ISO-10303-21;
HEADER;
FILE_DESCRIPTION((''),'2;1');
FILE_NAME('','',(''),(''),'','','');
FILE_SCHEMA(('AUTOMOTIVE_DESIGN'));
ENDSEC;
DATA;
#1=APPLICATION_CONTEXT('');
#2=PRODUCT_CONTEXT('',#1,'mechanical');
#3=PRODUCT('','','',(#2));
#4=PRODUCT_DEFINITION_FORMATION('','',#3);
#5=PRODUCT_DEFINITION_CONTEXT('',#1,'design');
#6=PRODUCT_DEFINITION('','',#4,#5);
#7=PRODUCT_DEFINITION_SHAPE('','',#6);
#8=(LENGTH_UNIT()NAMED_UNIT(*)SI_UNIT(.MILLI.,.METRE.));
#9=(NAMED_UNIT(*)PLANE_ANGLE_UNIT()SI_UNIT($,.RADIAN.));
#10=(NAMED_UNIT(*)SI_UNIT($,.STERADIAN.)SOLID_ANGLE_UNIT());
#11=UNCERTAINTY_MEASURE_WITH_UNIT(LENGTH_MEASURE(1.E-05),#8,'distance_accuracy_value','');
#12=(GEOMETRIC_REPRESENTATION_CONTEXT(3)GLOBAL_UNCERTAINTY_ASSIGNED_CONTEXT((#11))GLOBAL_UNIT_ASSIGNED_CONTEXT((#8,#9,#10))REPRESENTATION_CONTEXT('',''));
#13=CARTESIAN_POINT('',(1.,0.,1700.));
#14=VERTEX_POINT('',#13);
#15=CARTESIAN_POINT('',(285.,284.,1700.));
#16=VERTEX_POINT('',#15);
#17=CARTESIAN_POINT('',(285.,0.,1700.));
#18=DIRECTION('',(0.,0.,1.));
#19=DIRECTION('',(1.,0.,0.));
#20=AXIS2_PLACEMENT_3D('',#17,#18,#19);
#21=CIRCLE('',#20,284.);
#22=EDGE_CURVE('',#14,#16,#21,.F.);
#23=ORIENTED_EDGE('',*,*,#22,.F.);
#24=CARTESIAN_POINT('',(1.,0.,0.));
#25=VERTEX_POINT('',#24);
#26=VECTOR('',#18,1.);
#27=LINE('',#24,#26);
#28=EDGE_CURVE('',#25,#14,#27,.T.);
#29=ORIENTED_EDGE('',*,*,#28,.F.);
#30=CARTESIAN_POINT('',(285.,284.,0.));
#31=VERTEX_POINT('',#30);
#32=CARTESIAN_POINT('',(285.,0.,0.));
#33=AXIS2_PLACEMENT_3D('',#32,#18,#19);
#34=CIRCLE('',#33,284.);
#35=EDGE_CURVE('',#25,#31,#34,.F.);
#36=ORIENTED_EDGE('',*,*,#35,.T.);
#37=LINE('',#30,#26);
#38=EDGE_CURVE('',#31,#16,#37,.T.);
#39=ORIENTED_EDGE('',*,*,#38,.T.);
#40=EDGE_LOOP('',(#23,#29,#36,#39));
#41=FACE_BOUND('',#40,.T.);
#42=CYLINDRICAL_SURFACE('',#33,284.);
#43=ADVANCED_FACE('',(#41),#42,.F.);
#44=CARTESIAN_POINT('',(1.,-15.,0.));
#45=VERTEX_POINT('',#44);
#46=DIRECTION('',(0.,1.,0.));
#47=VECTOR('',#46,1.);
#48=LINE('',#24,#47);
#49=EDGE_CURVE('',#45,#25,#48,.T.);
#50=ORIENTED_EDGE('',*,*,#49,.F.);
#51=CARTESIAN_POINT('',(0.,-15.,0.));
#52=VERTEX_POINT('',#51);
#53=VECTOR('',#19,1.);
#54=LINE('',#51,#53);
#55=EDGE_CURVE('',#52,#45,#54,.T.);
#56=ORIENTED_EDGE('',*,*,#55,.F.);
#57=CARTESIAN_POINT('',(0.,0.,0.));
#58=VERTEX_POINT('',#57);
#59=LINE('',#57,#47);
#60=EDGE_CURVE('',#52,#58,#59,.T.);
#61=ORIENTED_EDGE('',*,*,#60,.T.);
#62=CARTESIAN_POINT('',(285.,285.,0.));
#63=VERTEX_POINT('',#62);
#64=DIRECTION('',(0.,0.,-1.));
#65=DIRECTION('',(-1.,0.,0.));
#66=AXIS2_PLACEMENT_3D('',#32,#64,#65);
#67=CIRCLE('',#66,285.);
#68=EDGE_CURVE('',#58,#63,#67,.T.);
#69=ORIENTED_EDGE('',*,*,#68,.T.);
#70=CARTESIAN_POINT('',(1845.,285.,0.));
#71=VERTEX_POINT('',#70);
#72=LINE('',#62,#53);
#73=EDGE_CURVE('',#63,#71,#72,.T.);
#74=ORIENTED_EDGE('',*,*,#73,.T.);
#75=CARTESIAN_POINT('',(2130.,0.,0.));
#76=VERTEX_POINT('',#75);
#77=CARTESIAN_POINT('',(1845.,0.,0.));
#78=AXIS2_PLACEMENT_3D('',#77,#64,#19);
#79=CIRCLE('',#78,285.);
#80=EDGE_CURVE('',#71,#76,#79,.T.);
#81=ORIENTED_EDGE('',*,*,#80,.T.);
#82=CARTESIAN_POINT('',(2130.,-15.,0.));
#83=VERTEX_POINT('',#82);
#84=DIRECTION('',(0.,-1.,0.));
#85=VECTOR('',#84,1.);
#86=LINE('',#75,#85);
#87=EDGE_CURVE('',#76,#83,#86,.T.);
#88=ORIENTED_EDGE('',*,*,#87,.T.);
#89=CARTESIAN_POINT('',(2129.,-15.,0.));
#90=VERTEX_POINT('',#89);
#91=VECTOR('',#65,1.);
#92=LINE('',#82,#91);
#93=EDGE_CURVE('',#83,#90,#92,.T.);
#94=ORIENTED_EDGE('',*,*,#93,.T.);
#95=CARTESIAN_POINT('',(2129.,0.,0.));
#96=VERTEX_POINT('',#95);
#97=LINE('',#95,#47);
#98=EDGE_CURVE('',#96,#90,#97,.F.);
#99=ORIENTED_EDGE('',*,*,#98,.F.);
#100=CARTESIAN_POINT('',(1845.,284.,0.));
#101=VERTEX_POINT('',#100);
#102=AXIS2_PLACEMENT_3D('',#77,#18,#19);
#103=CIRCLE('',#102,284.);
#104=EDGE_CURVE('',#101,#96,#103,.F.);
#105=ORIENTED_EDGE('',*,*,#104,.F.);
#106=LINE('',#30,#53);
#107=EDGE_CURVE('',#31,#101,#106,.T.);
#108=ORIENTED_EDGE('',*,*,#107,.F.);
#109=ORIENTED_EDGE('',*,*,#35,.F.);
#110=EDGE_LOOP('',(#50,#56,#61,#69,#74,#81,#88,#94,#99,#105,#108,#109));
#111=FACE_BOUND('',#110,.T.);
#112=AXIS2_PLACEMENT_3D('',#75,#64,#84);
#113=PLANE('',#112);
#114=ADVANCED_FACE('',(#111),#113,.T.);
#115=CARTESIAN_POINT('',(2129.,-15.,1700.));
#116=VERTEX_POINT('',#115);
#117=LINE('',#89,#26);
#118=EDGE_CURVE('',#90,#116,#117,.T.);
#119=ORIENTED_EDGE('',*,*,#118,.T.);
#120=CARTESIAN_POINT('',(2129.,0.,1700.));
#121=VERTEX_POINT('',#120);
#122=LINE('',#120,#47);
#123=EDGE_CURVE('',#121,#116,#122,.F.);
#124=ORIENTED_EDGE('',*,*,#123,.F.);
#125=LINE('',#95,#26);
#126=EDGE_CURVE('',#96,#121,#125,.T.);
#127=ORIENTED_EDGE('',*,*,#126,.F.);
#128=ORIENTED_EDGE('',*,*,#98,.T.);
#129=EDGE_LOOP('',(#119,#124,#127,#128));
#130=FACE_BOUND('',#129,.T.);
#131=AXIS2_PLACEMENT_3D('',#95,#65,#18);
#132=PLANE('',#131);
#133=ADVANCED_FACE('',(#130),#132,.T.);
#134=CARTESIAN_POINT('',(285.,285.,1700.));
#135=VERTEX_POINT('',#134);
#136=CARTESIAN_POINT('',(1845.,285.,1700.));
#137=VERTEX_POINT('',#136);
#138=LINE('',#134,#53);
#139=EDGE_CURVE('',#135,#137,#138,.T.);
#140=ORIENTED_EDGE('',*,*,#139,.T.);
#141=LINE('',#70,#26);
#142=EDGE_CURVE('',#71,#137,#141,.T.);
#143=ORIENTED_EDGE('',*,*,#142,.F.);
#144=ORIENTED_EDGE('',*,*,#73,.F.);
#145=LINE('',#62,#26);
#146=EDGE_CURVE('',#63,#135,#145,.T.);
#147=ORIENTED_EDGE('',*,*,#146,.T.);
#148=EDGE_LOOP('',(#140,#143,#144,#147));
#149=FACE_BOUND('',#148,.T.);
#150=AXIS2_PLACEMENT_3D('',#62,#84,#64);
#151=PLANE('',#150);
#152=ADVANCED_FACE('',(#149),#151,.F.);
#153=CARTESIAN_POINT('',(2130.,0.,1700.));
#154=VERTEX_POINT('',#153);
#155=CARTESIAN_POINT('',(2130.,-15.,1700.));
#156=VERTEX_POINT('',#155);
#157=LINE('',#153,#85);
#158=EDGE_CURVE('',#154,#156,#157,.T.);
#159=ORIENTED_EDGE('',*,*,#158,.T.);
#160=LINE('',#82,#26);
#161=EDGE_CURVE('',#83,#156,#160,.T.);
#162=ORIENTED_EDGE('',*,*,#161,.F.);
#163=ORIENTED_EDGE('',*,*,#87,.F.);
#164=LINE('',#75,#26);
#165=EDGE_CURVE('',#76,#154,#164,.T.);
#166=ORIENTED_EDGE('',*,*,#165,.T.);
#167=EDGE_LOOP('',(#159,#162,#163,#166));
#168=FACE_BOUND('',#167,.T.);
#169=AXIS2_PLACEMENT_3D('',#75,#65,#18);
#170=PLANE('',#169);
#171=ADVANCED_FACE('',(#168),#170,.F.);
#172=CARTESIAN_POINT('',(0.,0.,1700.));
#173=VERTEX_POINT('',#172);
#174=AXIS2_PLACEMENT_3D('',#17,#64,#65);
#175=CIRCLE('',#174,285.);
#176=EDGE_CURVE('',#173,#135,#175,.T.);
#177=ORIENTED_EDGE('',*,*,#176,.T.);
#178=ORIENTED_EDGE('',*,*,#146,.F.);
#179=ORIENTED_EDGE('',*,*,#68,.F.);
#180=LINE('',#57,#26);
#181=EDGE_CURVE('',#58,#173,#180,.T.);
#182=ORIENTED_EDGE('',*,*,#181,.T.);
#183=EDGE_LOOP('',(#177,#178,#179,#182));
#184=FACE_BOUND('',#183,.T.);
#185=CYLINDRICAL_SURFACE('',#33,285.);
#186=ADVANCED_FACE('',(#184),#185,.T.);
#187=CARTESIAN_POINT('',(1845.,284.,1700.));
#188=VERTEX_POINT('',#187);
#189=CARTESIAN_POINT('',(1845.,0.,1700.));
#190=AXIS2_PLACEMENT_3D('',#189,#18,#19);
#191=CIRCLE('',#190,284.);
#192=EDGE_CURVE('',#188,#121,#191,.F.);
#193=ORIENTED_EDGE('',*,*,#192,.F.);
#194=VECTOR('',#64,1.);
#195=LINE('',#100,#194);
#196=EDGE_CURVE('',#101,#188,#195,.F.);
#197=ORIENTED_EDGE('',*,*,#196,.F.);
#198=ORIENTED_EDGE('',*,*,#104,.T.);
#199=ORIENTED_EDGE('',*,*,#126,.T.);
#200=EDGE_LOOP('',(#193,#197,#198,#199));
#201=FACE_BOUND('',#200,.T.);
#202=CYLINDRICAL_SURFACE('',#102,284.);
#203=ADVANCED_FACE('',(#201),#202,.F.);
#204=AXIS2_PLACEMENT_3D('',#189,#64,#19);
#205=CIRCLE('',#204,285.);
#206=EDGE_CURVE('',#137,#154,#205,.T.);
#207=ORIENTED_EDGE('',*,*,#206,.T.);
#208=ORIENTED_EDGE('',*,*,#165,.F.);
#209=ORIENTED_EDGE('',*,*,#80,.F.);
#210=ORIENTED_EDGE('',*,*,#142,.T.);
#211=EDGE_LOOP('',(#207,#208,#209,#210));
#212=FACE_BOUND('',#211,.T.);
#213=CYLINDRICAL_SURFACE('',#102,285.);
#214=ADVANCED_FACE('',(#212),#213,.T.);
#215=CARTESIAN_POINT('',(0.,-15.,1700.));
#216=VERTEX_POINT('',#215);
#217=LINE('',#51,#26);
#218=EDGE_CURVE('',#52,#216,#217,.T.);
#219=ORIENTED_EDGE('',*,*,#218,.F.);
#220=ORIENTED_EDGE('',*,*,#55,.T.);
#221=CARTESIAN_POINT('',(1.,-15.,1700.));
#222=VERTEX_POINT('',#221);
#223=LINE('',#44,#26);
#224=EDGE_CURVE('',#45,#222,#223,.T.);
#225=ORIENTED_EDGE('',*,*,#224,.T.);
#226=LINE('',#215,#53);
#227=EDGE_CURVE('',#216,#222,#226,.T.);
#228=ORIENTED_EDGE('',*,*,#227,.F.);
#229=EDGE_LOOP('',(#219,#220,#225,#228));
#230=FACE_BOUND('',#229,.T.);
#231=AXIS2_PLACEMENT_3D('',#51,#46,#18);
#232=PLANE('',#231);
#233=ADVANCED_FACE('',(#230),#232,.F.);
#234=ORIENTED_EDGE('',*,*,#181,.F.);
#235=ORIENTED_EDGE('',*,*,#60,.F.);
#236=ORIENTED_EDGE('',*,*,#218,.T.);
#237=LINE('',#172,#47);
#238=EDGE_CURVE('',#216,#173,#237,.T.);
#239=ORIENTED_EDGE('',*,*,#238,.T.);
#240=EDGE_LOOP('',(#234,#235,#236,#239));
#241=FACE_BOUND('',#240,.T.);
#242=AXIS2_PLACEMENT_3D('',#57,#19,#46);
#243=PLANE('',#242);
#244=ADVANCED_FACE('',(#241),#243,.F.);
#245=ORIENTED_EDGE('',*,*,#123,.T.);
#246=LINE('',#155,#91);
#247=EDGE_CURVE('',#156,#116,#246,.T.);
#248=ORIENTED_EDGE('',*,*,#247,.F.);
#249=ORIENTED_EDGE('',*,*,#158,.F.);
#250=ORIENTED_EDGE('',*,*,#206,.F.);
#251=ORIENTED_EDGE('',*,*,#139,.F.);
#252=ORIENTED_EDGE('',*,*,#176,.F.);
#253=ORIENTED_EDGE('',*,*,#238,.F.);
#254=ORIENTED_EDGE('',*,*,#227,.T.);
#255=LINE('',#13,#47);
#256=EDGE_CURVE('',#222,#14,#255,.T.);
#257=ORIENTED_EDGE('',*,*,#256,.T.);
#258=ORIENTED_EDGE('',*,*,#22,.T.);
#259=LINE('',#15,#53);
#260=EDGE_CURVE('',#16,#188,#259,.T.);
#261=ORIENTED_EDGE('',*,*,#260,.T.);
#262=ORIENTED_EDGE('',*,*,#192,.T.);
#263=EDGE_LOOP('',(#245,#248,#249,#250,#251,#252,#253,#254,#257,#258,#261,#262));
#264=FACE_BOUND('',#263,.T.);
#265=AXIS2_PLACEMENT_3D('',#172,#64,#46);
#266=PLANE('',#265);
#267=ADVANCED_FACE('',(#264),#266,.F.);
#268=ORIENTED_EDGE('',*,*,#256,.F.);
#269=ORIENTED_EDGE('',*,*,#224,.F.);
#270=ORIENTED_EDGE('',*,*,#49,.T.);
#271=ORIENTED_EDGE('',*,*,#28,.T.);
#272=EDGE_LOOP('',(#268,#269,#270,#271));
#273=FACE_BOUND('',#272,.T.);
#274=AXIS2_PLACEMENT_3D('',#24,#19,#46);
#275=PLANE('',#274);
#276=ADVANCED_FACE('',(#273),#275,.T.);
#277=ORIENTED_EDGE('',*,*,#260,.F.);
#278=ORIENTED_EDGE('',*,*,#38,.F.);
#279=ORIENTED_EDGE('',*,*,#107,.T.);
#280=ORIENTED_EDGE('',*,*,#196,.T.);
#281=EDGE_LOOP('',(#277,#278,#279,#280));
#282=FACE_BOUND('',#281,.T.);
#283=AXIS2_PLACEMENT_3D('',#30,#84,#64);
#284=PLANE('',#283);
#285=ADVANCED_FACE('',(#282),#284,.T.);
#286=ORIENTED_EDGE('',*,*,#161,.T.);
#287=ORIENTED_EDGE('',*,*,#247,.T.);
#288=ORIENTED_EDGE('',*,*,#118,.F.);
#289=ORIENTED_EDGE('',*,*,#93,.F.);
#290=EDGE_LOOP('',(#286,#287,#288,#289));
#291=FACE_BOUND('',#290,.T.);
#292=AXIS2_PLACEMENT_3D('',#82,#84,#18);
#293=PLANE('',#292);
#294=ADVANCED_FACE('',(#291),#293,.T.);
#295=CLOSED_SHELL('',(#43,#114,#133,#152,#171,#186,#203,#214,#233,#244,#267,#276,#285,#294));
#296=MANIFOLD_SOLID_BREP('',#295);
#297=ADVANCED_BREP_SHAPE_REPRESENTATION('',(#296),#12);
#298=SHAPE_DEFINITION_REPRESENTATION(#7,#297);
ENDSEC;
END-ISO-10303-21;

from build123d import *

# Parameters (mm, degrees)
SURFACE_EXTRUDE2_1_DEPTH = 1700
THICKEN1_T2              = 1


with BuildPart() as body_1:
    # Surface-Extrude2: a surface, the sketch's curves swept straight by 1700 mm
    with BuildLine(Plane.XY, mode=Mode.PRIVATE) as surface_extrude2_1_path:
        Line((0, -15), (0, 0))
        ThreePointArc((0, 0), (83.474567362, 201.525432638), (285, 285))
        Line((285, 285), (1845, 285))
        ThreePointArc((1845, 285), (2046.525432638, 201.525432638), (2130, 0))
        Line((2130, 0), (2130, -15))
    surface_extrude2_1 = Shell.extrude(surface_extrude2_1_path.wire(), (0 * SURFACE_EXTRUDE2_1_DEPTH, 0 * SURFACE_EXTRUDE2_1_DEPTH, 1 * SURFACE_EXTRUDE2_1_DEPTH))
    add(Solid.thicken(surface_extrude2_1, -THICKEN1_T2))


solid = body_1.part
